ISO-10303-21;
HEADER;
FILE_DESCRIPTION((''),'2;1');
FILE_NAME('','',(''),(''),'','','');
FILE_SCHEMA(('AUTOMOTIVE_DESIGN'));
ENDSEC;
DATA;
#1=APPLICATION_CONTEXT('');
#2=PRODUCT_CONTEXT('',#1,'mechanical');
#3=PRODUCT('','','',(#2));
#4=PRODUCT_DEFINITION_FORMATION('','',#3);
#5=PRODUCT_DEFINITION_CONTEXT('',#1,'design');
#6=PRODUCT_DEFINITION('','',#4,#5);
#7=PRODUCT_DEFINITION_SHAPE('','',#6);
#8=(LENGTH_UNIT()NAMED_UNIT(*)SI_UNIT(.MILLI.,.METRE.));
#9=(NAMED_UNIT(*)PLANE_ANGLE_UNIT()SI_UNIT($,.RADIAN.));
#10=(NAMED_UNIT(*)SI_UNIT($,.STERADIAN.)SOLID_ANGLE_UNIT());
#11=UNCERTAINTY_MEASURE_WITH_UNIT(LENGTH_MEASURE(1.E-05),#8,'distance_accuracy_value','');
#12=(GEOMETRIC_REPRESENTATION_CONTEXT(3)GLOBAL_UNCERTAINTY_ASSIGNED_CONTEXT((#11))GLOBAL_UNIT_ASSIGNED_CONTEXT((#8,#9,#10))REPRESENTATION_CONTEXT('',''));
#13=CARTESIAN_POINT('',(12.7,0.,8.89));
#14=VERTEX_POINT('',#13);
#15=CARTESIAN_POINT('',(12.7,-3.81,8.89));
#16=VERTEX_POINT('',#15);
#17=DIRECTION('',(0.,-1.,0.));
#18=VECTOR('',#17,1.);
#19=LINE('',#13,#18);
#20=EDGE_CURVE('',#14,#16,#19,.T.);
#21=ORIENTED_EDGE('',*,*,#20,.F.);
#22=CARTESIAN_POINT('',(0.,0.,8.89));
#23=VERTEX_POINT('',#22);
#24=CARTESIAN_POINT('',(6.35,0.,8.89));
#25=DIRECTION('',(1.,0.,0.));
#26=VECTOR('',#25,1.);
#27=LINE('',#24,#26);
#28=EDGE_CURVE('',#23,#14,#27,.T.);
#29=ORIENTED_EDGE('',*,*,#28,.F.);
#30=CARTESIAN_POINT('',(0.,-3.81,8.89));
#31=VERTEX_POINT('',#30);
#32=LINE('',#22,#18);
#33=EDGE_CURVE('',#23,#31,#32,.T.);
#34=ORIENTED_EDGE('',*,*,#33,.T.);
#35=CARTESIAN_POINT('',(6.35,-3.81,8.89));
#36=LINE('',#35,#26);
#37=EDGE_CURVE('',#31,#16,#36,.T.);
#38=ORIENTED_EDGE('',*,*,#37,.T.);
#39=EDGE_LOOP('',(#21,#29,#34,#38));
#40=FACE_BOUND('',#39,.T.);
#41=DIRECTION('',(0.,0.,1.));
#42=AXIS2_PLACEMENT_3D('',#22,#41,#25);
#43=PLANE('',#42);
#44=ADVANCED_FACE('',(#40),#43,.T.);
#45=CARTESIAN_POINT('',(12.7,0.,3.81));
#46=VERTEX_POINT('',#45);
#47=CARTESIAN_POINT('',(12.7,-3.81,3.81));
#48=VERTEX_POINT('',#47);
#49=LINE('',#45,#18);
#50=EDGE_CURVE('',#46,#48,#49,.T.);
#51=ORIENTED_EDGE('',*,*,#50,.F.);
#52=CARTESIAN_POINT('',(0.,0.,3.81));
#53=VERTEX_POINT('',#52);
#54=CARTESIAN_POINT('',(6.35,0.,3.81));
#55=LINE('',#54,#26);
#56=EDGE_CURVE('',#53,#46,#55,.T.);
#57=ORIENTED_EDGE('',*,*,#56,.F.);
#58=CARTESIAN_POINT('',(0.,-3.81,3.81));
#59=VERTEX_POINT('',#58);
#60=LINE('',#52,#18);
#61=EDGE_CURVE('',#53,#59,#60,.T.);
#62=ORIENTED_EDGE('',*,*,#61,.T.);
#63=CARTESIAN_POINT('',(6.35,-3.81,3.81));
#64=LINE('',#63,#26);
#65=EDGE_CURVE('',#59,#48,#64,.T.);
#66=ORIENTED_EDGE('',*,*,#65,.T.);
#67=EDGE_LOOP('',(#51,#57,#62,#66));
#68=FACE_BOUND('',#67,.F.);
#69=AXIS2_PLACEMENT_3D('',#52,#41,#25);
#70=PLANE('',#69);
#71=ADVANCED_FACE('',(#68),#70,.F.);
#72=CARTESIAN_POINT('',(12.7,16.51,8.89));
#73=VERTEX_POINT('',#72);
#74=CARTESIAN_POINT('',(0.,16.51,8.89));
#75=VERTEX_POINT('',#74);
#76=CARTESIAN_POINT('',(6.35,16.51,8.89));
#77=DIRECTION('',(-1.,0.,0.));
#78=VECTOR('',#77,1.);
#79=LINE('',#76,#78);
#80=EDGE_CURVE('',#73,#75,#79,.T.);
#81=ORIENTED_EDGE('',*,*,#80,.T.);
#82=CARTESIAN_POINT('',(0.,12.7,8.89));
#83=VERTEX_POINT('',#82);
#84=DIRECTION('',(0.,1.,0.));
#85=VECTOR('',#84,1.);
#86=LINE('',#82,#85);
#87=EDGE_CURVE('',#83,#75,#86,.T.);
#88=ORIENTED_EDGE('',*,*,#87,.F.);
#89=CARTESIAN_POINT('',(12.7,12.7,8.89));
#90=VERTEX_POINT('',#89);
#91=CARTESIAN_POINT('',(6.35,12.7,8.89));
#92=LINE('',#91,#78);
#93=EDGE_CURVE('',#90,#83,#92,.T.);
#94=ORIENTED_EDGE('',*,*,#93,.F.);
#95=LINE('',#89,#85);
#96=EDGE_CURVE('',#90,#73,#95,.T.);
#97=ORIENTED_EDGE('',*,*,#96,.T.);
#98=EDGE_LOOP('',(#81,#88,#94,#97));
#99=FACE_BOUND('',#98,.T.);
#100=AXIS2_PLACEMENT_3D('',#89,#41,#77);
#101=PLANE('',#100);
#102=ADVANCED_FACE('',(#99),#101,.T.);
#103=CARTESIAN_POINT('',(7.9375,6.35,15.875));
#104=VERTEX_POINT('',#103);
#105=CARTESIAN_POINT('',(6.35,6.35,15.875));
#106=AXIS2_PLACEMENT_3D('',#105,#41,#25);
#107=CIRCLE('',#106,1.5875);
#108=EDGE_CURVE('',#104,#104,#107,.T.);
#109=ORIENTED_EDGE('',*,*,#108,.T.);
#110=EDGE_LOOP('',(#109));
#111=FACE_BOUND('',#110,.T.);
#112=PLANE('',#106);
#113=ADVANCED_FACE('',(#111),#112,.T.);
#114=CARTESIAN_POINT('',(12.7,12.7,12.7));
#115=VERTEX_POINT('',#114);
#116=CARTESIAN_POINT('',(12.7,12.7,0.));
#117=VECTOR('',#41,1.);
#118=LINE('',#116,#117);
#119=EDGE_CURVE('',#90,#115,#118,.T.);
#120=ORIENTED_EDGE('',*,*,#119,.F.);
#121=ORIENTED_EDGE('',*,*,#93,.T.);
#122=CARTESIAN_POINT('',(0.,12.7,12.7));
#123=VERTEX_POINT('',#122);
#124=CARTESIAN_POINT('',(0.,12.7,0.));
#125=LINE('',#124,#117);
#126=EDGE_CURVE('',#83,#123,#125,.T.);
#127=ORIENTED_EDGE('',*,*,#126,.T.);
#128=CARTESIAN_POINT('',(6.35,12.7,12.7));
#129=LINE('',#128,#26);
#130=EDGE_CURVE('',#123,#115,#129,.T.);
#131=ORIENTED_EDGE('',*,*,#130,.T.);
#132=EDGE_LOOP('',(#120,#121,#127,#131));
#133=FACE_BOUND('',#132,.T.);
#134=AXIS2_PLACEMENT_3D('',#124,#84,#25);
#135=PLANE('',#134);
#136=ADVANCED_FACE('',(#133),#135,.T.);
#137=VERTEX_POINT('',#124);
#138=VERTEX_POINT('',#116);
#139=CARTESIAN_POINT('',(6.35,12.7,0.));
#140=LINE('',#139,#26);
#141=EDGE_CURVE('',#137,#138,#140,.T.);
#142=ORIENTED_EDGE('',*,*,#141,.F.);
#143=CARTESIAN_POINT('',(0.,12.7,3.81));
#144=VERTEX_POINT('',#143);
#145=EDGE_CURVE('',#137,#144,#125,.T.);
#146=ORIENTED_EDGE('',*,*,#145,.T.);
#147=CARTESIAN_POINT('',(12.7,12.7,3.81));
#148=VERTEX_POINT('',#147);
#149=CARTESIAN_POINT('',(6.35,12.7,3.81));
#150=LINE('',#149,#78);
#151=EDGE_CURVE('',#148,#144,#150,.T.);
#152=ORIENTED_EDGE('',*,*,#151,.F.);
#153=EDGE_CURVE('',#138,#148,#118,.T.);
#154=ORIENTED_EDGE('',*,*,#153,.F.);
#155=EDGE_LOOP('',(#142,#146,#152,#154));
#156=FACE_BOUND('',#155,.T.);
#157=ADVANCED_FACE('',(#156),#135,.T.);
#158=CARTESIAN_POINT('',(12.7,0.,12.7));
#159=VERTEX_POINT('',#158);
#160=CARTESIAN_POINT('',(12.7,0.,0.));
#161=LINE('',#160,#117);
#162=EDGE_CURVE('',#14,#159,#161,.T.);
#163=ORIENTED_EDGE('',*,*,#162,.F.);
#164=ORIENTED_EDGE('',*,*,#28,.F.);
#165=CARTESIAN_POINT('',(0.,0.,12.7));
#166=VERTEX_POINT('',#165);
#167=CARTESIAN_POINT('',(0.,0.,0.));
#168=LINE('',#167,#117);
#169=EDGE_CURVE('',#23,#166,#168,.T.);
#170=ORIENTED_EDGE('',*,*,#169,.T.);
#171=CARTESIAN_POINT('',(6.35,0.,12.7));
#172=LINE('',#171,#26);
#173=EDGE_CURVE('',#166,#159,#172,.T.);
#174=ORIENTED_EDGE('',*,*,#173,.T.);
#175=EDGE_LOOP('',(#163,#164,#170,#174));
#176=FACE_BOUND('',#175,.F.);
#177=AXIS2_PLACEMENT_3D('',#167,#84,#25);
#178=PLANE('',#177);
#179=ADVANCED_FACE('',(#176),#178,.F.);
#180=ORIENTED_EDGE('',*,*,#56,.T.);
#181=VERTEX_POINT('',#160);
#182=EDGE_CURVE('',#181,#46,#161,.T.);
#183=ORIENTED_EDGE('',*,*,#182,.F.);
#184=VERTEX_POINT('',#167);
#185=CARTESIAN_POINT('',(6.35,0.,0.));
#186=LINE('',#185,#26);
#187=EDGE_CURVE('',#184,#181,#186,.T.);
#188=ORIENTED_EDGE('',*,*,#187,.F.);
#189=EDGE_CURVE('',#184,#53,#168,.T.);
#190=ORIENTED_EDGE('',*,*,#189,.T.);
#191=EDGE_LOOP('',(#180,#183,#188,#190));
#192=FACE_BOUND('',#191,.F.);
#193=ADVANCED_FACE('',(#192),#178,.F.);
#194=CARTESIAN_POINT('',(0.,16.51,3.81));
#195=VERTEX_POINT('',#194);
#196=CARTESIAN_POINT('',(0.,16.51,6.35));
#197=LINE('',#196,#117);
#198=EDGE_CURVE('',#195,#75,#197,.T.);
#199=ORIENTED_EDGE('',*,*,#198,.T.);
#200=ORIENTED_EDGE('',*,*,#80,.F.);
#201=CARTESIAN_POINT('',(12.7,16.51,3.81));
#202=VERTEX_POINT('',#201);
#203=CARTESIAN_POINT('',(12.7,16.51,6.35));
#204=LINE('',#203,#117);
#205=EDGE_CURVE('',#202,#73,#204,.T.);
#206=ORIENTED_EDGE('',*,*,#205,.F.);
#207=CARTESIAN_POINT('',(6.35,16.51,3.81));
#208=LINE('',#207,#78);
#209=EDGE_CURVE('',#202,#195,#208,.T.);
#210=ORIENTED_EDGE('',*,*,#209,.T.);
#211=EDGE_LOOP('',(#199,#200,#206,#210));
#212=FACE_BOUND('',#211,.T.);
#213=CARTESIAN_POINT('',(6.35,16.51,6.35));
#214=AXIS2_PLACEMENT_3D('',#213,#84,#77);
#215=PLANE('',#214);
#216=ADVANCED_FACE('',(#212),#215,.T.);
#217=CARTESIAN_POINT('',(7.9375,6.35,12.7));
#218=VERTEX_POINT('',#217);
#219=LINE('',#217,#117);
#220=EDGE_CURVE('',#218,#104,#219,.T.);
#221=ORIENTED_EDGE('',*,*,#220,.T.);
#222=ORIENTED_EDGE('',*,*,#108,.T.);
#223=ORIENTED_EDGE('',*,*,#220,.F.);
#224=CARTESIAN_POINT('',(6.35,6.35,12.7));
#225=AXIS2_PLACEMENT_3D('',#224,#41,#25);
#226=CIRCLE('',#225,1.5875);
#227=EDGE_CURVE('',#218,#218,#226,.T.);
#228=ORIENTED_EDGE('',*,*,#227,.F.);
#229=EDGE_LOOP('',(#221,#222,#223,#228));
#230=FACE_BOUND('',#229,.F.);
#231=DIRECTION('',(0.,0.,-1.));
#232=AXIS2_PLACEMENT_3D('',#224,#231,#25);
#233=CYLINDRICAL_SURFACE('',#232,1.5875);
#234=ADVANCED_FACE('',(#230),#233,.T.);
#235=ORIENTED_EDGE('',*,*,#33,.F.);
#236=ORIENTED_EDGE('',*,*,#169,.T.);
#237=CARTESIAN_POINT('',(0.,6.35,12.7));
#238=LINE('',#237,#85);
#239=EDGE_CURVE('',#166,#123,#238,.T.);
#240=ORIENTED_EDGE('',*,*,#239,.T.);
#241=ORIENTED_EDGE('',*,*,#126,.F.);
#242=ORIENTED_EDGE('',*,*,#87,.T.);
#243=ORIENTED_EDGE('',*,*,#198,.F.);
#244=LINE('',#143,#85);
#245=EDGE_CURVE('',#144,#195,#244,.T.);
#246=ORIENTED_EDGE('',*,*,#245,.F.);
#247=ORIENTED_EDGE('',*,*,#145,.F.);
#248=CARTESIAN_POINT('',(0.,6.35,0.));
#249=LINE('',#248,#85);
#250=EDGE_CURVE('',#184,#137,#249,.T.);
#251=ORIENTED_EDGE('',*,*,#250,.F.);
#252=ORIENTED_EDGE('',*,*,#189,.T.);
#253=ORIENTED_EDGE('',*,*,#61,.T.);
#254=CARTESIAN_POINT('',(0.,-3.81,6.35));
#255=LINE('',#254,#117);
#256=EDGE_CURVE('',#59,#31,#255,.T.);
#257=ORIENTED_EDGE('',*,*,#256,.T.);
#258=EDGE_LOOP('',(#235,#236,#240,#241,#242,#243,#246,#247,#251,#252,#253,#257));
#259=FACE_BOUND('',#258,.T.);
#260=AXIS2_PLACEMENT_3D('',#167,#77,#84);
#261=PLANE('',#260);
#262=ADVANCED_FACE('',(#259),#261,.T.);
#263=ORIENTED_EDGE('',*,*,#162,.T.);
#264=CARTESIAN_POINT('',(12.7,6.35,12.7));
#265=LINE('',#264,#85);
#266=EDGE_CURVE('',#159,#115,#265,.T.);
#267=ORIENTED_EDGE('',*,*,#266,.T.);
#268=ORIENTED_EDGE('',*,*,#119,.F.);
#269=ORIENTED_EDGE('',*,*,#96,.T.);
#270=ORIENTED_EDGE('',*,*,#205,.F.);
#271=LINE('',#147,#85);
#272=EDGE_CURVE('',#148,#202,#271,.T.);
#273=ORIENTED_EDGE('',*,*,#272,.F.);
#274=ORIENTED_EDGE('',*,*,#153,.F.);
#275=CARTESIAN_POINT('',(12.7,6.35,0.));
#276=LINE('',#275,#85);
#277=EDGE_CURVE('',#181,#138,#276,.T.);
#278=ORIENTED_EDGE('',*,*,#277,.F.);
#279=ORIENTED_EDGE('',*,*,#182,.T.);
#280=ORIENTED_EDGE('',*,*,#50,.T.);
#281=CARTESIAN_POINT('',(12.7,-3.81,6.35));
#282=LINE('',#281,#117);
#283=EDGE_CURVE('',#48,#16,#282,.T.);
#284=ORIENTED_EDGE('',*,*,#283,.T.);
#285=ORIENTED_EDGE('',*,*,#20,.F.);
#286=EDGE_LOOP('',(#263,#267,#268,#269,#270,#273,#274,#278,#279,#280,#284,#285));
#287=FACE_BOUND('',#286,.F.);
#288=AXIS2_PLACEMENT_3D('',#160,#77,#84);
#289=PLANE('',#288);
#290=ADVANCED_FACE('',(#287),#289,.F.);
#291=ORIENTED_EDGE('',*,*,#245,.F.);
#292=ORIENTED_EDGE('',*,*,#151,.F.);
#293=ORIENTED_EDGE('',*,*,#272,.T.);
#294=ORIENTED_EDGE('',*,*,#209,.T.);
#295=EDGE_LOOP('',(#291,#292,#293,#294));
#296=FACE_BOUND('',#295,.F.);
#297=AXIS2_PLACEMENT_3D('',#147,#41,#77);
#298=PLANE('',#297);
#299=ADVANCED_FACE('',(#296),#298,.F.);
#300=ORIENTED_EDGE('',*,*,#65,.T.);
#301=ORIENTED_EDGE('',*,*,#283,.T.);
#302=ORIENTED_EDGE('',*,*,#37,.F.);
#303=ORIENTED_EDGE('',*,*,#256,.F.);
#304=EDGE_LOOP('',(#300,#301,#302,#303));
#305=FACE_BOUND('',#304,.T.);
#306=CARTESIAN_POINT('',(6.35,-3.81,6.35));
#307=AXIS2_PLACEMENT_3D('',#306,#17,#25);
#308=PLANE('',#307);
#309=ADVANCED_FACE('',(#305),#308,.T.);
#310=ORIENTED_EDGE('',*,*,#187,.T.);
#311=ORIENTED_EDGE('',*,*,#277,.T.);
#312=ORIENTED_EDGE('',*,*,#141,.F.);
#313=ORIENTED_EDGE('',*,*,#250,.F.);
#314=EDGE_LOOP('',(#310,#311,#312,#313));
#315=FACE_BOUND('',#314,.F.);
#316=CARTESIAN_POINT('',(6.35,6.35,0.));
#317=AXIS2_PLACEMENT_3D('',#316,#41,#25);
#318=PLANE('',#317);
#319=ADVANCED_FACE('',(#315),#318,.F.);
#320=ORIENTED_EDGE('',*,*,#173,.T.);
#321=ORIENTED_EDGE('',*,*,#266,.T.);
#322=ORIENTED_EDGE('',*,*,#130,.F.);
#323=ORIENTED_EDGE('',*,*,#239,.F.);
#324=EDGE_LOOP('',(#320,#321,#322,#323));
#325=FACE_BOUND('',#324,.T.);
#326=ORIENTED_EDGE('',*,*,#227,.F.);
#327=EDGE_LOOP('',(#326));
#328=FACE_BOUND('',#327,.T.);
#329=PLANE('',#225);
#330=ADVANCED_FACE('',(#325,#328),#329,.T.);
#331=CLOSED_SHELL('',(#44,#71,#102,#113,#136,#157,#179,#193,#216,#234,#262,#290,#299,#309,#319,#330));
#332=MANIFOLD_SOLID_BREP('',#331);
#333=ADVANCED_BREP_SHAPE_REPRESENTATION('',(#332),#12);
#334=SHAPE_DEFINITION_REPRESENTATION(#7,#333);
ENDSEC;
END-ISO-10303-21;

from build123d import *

# Parameters (mm, degrees)
F0_W     = 12.7
F0_H     = 12.7
F1_DEPTH = 12.7
F2_R     = 1.5875
F3_DEPTH = 3.175
F4_W     = 12.7
F4_H     = 5.08
F5_DEPTH = 3.81
F6_W     = 12.7
F6_H     = 5.08
F7_DEPTH = 3.81


with BuildPart() as f1:
    # F0 (on Top) → F1 (new body)
    with BuildSketch(Plane.XY):
        with Locations((6.35, 6.35)):
            Rectangle(F0_W, F0_H)
    extrude(amount=F1_DEPTH)

    # F2 (on face) → F3 (join)
    with BuildSketch(Plane.XY.offset(12.7)):
        with Locations((6.35, 6.35)):
            Circle(F2_R)
    extrude(amount=F3_DEPTH)

    # F4 (on face) → F5 (join)
    with BuildSketch(Plane.XZ):
        with Locations((6.35, 6.35)):
            Rectangle(F4_W, F4_H)
    extrude(amount=F5_DEPTH)

    # F6 (on face) → F7 (join)
    with BuildSketch(Plane(origin=(0, 12.7, 0), x_dir=(-1, 0, 0), z_dir=(0, 1, 0))):
        with Locations((-6.35, 6.35)):
            Rectangle(F6_W, F6_H)
    extrude(amount=F7_DEPTH)


solid = f1.part
